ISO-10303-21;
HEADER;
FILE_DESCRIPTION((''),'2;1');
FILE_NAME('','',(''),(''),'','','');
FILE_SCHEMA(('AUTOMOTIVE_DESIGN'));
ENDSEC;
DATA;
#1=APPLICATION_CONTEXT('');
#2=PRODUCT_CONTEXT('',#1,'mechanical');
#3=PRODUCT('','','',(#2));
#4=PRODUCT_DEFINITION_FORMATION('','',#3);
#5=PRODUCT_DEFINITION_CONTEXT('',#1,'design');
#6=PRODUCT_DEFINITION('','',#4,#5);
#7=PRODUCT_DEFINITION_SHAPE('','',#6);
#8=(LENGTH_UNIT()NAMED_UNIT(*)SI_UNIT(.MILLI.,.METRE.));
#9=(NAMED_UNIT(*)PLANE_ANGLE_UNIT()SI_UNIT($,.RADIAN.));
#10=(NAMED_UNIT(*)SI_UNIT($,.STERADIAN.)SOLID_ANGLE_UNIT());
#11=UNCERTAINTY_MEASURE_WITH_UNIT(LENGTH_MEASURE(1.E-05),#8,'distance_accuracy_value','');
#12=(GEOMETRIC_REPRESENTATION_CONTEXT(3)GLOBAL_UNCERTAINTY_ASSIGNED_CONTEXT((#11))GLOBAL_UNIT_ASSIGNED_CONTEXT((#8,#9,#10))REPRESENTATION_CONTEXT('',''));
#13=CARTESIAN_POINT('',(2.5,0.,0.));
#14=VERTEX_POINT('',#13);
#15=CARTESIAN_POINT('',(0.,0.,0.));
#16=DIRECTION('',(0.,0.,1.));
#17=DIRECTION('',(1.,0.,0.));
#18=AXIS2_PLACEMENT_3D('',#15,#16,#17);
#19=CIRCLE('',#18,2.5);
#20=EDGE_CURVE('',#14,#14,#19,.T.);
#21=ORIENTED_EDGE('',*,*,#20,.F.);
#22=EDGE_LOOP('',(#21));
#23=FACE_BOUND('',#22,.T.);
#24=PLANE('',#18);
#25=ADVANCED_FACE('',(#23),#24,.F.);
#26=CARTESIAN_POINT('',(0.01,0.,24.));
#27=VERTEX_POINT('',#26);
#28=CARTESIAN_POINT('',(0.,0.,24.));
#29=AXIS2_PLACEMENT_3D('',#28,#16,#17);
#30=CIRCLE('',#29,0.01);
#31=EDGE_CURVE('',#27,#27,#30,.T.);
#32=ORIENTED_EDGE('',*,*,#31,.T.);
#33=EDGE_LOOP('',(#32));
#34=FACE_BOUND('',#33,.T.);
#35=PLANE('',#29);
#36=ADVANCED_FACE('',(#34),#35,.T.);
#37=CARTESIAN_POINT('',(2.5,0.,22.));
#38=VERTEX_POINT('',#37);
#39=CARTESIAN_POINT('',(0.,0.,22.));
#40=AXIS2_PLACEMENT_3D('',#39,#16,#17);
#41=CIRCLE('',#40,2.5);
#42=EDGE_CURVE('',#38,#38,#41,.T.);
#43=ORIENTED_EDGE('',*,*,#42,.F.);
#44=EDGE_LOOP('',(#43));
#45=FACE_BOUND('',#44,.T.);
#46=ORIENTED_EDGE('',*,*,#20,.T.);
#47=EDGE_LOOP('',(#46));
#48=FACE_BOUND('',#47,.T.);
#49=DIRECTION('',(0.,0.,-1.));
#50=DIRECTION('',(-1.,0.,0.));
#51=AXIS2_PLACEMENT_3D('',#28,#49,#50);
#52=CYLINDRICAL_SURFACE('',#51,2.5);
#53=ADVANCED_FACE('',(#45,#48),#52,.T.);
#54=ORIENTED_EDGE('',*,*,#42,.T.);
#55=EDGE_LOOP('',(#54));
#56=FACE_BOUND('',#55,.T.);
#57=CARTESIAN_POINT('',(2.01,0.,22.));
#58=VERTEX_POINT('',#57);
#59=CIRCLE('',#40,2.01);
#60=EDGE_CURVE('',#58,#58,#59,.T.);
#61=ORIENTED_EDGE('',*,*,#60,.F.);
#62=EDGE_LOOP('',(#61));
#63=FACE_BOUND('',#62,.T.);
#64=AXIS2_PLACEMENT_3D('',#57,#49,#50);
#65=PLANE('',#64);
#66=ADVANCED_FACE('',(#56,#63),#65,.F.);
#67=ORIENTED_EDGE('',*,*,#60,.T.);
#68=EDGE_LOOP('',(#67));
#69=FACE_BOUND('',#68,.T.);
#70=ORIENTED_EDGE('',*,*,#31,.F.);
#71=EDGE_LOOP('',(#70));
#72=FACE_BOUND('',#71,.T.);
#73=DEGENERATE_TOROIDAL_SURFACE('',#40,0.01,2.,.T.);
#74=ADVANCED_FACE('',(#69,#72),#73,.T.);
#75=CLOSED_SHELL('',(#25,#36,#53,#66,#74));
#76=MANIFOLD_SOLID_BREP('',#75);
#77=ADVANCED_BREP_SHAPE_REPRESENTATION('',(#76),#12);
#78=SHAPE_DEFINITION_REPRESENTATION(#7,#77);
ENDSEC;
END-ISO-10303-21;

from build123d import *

# Parameters (mm, degrees)
SKETCH1_R           = 2.5
BOSS_EXTRUDE1_DEPTH = 24


with BuildPart() as part:
    # Sketch1 → Boss-Extrude1 (new body)
    with BuildSketch(Plane.XY):
        Circle(SKETCH1_R)
    extrude(amount=BOSS_EXTRUDE1_DEPTH)

    # Sketch2 → Cut-Revolve6 (revolve, cut)
    with BuildSketch(Plane(origin=(0, 0, 0), x_dir=(1, 0, 0), z_dir=(0, 1, 0))):
        with BuildLine():
            Line((2.01, -22), (2.5, -22))
            Line((2.5, -22), (2.5, -24))
            Line((2.5, -24), (0.01, -24))
            ThreePointArc((0.01, -24), (1.424213562, -23.414213562), (2.01, -22))
        make_face()
    revolve(axis=Axis((0, 0, 24), (0, 0, -1)), mode=Mode.SUBTRACT)


solid = part.part
